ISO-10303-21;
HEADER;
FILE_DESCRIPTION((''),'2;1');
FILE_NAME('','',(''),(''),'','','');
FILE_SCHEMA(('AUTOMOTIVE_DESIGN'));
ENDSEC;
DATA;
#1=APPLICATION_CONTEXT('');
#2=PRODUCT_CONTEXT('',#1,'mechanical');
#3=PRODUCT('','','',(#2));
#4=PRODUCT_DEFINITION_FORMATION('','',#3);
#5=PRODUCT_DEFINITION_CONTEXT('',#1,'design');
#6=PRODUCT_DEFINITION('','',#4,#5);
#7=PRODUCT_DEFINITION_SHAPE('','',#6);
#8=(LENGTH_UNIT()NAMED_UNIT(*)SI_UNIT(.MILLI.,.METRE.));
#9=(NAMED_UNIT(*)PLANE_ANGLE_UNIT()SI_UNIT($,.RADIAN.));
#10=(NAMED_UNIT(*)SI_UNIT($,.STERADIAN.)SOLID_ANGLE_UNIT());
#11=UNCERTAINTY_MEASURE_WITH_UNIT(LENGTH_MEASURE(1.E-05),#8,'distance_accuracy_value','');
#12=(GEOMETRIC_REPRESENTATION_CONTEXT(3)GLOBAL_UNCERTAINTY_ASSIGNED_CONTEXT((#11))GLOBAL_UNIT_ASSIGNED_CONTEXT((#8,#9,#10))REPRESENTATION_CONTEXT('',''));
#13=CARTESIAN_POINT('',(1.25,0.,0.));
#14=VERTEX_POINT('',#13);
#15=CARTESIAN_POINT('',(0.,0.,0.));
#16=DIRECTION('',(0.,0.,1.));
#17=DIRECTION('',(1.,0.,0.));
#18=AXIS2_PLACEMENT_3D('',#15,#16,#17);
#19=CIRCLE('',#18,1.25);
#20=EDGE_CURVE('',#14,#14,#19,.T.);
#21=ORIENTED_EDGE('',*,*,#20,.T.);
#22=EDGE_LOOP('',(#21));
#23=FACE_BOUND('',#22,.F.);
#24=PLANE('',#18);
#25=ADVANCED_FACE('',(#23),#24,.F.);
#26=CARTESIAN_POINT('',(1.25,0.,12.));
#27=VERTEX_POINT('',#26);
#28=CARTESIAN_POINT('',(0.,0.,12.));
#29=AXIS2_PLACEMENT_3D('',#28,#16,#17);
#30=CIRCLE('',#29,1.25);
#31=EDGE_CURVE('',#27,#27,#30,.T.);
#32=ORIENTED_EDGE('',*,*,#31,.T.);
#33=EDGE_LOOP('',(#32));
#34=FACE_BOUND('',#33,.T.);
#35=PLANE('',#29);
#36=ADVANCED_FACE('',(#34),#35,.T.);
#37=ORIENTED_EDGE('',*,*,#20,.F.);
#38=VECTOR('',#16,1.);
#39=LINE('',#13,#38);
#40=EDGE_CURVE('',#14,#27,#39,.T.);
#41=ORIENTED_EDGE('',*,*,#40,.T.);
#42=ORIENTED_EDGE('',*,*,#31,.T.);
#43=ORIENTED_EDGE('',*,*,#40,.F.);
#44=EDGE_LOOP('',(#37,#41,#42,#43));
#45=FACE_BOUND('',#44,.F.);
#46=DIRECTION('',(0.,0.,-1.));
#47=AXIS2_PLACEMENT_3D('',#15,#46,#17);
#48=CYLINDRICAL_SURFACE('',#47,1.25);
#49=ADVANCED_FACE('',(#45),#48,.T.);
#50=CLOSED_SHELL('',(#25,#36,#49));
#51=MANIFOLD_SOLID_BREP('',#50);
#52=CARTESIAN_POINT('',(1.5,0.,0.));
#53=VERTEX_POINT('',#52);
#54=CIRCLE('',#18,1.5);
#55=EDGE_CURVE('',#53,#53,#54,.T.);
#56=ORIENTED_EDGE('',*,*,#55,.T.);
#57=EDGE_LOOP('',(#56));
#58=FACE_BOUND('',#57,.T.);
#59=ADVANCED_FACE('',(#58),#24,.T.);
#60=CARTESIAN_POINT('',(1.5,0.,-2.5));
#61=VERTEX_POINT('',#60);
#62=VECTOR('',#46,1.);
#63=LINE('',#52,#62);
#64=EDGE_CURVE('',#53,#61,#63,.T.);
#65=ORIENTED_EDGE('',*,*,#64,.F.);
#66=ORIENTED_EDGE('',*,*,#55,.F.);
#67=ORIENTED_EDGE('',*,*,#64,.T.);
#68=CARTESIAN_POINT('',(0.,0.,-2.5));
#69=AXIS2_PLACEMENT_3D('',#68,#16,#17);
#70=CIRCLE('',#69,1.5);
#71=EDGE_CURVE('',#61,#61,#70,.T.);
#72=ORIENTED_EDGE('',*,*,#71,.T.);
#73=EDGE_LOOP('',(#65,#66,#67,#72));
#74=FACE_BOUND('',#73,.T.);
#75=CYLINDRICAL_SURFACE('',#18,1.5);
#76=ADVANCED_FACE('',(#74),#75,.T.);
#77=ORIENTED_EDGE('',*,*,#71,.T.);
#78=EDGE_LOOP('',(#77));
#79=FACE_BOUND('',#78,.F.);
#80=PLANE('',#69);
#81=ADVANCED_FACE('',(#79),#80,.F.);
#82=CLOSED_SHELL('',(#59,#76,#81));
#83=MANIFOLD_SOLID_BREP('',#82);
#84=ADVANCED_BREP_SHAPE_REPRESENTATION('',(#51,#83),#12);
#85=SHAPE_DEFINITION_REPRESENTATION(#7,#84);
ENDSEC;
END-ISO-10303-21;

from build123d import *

# Parameters (mm, degrees)
SKETCH_R         = 1.5
EXTRUDE_DEPTH    = 2.5
SKETCH001_R      = 1.25
EXTRUDE001_DEPTH = 12


with BuildPart() as extrude_body:
    # Sketch → Extrude (new body)
    with BuildSketch(Plane.XY):
        Circle(SKETCH_R)
    extrude(amount=-EXTRUDE_DEPTH)


with BuildPart() as extrude001:
    # Sketch001 → Extrude001 (new body)
    with BuildSketch(Plane.XY):
        Circle(SKETCH001_R)
    extrude(amount=EXTRUDE001_DEPTH)


solid = Compound([extrude_body.part, extrude001.part])
